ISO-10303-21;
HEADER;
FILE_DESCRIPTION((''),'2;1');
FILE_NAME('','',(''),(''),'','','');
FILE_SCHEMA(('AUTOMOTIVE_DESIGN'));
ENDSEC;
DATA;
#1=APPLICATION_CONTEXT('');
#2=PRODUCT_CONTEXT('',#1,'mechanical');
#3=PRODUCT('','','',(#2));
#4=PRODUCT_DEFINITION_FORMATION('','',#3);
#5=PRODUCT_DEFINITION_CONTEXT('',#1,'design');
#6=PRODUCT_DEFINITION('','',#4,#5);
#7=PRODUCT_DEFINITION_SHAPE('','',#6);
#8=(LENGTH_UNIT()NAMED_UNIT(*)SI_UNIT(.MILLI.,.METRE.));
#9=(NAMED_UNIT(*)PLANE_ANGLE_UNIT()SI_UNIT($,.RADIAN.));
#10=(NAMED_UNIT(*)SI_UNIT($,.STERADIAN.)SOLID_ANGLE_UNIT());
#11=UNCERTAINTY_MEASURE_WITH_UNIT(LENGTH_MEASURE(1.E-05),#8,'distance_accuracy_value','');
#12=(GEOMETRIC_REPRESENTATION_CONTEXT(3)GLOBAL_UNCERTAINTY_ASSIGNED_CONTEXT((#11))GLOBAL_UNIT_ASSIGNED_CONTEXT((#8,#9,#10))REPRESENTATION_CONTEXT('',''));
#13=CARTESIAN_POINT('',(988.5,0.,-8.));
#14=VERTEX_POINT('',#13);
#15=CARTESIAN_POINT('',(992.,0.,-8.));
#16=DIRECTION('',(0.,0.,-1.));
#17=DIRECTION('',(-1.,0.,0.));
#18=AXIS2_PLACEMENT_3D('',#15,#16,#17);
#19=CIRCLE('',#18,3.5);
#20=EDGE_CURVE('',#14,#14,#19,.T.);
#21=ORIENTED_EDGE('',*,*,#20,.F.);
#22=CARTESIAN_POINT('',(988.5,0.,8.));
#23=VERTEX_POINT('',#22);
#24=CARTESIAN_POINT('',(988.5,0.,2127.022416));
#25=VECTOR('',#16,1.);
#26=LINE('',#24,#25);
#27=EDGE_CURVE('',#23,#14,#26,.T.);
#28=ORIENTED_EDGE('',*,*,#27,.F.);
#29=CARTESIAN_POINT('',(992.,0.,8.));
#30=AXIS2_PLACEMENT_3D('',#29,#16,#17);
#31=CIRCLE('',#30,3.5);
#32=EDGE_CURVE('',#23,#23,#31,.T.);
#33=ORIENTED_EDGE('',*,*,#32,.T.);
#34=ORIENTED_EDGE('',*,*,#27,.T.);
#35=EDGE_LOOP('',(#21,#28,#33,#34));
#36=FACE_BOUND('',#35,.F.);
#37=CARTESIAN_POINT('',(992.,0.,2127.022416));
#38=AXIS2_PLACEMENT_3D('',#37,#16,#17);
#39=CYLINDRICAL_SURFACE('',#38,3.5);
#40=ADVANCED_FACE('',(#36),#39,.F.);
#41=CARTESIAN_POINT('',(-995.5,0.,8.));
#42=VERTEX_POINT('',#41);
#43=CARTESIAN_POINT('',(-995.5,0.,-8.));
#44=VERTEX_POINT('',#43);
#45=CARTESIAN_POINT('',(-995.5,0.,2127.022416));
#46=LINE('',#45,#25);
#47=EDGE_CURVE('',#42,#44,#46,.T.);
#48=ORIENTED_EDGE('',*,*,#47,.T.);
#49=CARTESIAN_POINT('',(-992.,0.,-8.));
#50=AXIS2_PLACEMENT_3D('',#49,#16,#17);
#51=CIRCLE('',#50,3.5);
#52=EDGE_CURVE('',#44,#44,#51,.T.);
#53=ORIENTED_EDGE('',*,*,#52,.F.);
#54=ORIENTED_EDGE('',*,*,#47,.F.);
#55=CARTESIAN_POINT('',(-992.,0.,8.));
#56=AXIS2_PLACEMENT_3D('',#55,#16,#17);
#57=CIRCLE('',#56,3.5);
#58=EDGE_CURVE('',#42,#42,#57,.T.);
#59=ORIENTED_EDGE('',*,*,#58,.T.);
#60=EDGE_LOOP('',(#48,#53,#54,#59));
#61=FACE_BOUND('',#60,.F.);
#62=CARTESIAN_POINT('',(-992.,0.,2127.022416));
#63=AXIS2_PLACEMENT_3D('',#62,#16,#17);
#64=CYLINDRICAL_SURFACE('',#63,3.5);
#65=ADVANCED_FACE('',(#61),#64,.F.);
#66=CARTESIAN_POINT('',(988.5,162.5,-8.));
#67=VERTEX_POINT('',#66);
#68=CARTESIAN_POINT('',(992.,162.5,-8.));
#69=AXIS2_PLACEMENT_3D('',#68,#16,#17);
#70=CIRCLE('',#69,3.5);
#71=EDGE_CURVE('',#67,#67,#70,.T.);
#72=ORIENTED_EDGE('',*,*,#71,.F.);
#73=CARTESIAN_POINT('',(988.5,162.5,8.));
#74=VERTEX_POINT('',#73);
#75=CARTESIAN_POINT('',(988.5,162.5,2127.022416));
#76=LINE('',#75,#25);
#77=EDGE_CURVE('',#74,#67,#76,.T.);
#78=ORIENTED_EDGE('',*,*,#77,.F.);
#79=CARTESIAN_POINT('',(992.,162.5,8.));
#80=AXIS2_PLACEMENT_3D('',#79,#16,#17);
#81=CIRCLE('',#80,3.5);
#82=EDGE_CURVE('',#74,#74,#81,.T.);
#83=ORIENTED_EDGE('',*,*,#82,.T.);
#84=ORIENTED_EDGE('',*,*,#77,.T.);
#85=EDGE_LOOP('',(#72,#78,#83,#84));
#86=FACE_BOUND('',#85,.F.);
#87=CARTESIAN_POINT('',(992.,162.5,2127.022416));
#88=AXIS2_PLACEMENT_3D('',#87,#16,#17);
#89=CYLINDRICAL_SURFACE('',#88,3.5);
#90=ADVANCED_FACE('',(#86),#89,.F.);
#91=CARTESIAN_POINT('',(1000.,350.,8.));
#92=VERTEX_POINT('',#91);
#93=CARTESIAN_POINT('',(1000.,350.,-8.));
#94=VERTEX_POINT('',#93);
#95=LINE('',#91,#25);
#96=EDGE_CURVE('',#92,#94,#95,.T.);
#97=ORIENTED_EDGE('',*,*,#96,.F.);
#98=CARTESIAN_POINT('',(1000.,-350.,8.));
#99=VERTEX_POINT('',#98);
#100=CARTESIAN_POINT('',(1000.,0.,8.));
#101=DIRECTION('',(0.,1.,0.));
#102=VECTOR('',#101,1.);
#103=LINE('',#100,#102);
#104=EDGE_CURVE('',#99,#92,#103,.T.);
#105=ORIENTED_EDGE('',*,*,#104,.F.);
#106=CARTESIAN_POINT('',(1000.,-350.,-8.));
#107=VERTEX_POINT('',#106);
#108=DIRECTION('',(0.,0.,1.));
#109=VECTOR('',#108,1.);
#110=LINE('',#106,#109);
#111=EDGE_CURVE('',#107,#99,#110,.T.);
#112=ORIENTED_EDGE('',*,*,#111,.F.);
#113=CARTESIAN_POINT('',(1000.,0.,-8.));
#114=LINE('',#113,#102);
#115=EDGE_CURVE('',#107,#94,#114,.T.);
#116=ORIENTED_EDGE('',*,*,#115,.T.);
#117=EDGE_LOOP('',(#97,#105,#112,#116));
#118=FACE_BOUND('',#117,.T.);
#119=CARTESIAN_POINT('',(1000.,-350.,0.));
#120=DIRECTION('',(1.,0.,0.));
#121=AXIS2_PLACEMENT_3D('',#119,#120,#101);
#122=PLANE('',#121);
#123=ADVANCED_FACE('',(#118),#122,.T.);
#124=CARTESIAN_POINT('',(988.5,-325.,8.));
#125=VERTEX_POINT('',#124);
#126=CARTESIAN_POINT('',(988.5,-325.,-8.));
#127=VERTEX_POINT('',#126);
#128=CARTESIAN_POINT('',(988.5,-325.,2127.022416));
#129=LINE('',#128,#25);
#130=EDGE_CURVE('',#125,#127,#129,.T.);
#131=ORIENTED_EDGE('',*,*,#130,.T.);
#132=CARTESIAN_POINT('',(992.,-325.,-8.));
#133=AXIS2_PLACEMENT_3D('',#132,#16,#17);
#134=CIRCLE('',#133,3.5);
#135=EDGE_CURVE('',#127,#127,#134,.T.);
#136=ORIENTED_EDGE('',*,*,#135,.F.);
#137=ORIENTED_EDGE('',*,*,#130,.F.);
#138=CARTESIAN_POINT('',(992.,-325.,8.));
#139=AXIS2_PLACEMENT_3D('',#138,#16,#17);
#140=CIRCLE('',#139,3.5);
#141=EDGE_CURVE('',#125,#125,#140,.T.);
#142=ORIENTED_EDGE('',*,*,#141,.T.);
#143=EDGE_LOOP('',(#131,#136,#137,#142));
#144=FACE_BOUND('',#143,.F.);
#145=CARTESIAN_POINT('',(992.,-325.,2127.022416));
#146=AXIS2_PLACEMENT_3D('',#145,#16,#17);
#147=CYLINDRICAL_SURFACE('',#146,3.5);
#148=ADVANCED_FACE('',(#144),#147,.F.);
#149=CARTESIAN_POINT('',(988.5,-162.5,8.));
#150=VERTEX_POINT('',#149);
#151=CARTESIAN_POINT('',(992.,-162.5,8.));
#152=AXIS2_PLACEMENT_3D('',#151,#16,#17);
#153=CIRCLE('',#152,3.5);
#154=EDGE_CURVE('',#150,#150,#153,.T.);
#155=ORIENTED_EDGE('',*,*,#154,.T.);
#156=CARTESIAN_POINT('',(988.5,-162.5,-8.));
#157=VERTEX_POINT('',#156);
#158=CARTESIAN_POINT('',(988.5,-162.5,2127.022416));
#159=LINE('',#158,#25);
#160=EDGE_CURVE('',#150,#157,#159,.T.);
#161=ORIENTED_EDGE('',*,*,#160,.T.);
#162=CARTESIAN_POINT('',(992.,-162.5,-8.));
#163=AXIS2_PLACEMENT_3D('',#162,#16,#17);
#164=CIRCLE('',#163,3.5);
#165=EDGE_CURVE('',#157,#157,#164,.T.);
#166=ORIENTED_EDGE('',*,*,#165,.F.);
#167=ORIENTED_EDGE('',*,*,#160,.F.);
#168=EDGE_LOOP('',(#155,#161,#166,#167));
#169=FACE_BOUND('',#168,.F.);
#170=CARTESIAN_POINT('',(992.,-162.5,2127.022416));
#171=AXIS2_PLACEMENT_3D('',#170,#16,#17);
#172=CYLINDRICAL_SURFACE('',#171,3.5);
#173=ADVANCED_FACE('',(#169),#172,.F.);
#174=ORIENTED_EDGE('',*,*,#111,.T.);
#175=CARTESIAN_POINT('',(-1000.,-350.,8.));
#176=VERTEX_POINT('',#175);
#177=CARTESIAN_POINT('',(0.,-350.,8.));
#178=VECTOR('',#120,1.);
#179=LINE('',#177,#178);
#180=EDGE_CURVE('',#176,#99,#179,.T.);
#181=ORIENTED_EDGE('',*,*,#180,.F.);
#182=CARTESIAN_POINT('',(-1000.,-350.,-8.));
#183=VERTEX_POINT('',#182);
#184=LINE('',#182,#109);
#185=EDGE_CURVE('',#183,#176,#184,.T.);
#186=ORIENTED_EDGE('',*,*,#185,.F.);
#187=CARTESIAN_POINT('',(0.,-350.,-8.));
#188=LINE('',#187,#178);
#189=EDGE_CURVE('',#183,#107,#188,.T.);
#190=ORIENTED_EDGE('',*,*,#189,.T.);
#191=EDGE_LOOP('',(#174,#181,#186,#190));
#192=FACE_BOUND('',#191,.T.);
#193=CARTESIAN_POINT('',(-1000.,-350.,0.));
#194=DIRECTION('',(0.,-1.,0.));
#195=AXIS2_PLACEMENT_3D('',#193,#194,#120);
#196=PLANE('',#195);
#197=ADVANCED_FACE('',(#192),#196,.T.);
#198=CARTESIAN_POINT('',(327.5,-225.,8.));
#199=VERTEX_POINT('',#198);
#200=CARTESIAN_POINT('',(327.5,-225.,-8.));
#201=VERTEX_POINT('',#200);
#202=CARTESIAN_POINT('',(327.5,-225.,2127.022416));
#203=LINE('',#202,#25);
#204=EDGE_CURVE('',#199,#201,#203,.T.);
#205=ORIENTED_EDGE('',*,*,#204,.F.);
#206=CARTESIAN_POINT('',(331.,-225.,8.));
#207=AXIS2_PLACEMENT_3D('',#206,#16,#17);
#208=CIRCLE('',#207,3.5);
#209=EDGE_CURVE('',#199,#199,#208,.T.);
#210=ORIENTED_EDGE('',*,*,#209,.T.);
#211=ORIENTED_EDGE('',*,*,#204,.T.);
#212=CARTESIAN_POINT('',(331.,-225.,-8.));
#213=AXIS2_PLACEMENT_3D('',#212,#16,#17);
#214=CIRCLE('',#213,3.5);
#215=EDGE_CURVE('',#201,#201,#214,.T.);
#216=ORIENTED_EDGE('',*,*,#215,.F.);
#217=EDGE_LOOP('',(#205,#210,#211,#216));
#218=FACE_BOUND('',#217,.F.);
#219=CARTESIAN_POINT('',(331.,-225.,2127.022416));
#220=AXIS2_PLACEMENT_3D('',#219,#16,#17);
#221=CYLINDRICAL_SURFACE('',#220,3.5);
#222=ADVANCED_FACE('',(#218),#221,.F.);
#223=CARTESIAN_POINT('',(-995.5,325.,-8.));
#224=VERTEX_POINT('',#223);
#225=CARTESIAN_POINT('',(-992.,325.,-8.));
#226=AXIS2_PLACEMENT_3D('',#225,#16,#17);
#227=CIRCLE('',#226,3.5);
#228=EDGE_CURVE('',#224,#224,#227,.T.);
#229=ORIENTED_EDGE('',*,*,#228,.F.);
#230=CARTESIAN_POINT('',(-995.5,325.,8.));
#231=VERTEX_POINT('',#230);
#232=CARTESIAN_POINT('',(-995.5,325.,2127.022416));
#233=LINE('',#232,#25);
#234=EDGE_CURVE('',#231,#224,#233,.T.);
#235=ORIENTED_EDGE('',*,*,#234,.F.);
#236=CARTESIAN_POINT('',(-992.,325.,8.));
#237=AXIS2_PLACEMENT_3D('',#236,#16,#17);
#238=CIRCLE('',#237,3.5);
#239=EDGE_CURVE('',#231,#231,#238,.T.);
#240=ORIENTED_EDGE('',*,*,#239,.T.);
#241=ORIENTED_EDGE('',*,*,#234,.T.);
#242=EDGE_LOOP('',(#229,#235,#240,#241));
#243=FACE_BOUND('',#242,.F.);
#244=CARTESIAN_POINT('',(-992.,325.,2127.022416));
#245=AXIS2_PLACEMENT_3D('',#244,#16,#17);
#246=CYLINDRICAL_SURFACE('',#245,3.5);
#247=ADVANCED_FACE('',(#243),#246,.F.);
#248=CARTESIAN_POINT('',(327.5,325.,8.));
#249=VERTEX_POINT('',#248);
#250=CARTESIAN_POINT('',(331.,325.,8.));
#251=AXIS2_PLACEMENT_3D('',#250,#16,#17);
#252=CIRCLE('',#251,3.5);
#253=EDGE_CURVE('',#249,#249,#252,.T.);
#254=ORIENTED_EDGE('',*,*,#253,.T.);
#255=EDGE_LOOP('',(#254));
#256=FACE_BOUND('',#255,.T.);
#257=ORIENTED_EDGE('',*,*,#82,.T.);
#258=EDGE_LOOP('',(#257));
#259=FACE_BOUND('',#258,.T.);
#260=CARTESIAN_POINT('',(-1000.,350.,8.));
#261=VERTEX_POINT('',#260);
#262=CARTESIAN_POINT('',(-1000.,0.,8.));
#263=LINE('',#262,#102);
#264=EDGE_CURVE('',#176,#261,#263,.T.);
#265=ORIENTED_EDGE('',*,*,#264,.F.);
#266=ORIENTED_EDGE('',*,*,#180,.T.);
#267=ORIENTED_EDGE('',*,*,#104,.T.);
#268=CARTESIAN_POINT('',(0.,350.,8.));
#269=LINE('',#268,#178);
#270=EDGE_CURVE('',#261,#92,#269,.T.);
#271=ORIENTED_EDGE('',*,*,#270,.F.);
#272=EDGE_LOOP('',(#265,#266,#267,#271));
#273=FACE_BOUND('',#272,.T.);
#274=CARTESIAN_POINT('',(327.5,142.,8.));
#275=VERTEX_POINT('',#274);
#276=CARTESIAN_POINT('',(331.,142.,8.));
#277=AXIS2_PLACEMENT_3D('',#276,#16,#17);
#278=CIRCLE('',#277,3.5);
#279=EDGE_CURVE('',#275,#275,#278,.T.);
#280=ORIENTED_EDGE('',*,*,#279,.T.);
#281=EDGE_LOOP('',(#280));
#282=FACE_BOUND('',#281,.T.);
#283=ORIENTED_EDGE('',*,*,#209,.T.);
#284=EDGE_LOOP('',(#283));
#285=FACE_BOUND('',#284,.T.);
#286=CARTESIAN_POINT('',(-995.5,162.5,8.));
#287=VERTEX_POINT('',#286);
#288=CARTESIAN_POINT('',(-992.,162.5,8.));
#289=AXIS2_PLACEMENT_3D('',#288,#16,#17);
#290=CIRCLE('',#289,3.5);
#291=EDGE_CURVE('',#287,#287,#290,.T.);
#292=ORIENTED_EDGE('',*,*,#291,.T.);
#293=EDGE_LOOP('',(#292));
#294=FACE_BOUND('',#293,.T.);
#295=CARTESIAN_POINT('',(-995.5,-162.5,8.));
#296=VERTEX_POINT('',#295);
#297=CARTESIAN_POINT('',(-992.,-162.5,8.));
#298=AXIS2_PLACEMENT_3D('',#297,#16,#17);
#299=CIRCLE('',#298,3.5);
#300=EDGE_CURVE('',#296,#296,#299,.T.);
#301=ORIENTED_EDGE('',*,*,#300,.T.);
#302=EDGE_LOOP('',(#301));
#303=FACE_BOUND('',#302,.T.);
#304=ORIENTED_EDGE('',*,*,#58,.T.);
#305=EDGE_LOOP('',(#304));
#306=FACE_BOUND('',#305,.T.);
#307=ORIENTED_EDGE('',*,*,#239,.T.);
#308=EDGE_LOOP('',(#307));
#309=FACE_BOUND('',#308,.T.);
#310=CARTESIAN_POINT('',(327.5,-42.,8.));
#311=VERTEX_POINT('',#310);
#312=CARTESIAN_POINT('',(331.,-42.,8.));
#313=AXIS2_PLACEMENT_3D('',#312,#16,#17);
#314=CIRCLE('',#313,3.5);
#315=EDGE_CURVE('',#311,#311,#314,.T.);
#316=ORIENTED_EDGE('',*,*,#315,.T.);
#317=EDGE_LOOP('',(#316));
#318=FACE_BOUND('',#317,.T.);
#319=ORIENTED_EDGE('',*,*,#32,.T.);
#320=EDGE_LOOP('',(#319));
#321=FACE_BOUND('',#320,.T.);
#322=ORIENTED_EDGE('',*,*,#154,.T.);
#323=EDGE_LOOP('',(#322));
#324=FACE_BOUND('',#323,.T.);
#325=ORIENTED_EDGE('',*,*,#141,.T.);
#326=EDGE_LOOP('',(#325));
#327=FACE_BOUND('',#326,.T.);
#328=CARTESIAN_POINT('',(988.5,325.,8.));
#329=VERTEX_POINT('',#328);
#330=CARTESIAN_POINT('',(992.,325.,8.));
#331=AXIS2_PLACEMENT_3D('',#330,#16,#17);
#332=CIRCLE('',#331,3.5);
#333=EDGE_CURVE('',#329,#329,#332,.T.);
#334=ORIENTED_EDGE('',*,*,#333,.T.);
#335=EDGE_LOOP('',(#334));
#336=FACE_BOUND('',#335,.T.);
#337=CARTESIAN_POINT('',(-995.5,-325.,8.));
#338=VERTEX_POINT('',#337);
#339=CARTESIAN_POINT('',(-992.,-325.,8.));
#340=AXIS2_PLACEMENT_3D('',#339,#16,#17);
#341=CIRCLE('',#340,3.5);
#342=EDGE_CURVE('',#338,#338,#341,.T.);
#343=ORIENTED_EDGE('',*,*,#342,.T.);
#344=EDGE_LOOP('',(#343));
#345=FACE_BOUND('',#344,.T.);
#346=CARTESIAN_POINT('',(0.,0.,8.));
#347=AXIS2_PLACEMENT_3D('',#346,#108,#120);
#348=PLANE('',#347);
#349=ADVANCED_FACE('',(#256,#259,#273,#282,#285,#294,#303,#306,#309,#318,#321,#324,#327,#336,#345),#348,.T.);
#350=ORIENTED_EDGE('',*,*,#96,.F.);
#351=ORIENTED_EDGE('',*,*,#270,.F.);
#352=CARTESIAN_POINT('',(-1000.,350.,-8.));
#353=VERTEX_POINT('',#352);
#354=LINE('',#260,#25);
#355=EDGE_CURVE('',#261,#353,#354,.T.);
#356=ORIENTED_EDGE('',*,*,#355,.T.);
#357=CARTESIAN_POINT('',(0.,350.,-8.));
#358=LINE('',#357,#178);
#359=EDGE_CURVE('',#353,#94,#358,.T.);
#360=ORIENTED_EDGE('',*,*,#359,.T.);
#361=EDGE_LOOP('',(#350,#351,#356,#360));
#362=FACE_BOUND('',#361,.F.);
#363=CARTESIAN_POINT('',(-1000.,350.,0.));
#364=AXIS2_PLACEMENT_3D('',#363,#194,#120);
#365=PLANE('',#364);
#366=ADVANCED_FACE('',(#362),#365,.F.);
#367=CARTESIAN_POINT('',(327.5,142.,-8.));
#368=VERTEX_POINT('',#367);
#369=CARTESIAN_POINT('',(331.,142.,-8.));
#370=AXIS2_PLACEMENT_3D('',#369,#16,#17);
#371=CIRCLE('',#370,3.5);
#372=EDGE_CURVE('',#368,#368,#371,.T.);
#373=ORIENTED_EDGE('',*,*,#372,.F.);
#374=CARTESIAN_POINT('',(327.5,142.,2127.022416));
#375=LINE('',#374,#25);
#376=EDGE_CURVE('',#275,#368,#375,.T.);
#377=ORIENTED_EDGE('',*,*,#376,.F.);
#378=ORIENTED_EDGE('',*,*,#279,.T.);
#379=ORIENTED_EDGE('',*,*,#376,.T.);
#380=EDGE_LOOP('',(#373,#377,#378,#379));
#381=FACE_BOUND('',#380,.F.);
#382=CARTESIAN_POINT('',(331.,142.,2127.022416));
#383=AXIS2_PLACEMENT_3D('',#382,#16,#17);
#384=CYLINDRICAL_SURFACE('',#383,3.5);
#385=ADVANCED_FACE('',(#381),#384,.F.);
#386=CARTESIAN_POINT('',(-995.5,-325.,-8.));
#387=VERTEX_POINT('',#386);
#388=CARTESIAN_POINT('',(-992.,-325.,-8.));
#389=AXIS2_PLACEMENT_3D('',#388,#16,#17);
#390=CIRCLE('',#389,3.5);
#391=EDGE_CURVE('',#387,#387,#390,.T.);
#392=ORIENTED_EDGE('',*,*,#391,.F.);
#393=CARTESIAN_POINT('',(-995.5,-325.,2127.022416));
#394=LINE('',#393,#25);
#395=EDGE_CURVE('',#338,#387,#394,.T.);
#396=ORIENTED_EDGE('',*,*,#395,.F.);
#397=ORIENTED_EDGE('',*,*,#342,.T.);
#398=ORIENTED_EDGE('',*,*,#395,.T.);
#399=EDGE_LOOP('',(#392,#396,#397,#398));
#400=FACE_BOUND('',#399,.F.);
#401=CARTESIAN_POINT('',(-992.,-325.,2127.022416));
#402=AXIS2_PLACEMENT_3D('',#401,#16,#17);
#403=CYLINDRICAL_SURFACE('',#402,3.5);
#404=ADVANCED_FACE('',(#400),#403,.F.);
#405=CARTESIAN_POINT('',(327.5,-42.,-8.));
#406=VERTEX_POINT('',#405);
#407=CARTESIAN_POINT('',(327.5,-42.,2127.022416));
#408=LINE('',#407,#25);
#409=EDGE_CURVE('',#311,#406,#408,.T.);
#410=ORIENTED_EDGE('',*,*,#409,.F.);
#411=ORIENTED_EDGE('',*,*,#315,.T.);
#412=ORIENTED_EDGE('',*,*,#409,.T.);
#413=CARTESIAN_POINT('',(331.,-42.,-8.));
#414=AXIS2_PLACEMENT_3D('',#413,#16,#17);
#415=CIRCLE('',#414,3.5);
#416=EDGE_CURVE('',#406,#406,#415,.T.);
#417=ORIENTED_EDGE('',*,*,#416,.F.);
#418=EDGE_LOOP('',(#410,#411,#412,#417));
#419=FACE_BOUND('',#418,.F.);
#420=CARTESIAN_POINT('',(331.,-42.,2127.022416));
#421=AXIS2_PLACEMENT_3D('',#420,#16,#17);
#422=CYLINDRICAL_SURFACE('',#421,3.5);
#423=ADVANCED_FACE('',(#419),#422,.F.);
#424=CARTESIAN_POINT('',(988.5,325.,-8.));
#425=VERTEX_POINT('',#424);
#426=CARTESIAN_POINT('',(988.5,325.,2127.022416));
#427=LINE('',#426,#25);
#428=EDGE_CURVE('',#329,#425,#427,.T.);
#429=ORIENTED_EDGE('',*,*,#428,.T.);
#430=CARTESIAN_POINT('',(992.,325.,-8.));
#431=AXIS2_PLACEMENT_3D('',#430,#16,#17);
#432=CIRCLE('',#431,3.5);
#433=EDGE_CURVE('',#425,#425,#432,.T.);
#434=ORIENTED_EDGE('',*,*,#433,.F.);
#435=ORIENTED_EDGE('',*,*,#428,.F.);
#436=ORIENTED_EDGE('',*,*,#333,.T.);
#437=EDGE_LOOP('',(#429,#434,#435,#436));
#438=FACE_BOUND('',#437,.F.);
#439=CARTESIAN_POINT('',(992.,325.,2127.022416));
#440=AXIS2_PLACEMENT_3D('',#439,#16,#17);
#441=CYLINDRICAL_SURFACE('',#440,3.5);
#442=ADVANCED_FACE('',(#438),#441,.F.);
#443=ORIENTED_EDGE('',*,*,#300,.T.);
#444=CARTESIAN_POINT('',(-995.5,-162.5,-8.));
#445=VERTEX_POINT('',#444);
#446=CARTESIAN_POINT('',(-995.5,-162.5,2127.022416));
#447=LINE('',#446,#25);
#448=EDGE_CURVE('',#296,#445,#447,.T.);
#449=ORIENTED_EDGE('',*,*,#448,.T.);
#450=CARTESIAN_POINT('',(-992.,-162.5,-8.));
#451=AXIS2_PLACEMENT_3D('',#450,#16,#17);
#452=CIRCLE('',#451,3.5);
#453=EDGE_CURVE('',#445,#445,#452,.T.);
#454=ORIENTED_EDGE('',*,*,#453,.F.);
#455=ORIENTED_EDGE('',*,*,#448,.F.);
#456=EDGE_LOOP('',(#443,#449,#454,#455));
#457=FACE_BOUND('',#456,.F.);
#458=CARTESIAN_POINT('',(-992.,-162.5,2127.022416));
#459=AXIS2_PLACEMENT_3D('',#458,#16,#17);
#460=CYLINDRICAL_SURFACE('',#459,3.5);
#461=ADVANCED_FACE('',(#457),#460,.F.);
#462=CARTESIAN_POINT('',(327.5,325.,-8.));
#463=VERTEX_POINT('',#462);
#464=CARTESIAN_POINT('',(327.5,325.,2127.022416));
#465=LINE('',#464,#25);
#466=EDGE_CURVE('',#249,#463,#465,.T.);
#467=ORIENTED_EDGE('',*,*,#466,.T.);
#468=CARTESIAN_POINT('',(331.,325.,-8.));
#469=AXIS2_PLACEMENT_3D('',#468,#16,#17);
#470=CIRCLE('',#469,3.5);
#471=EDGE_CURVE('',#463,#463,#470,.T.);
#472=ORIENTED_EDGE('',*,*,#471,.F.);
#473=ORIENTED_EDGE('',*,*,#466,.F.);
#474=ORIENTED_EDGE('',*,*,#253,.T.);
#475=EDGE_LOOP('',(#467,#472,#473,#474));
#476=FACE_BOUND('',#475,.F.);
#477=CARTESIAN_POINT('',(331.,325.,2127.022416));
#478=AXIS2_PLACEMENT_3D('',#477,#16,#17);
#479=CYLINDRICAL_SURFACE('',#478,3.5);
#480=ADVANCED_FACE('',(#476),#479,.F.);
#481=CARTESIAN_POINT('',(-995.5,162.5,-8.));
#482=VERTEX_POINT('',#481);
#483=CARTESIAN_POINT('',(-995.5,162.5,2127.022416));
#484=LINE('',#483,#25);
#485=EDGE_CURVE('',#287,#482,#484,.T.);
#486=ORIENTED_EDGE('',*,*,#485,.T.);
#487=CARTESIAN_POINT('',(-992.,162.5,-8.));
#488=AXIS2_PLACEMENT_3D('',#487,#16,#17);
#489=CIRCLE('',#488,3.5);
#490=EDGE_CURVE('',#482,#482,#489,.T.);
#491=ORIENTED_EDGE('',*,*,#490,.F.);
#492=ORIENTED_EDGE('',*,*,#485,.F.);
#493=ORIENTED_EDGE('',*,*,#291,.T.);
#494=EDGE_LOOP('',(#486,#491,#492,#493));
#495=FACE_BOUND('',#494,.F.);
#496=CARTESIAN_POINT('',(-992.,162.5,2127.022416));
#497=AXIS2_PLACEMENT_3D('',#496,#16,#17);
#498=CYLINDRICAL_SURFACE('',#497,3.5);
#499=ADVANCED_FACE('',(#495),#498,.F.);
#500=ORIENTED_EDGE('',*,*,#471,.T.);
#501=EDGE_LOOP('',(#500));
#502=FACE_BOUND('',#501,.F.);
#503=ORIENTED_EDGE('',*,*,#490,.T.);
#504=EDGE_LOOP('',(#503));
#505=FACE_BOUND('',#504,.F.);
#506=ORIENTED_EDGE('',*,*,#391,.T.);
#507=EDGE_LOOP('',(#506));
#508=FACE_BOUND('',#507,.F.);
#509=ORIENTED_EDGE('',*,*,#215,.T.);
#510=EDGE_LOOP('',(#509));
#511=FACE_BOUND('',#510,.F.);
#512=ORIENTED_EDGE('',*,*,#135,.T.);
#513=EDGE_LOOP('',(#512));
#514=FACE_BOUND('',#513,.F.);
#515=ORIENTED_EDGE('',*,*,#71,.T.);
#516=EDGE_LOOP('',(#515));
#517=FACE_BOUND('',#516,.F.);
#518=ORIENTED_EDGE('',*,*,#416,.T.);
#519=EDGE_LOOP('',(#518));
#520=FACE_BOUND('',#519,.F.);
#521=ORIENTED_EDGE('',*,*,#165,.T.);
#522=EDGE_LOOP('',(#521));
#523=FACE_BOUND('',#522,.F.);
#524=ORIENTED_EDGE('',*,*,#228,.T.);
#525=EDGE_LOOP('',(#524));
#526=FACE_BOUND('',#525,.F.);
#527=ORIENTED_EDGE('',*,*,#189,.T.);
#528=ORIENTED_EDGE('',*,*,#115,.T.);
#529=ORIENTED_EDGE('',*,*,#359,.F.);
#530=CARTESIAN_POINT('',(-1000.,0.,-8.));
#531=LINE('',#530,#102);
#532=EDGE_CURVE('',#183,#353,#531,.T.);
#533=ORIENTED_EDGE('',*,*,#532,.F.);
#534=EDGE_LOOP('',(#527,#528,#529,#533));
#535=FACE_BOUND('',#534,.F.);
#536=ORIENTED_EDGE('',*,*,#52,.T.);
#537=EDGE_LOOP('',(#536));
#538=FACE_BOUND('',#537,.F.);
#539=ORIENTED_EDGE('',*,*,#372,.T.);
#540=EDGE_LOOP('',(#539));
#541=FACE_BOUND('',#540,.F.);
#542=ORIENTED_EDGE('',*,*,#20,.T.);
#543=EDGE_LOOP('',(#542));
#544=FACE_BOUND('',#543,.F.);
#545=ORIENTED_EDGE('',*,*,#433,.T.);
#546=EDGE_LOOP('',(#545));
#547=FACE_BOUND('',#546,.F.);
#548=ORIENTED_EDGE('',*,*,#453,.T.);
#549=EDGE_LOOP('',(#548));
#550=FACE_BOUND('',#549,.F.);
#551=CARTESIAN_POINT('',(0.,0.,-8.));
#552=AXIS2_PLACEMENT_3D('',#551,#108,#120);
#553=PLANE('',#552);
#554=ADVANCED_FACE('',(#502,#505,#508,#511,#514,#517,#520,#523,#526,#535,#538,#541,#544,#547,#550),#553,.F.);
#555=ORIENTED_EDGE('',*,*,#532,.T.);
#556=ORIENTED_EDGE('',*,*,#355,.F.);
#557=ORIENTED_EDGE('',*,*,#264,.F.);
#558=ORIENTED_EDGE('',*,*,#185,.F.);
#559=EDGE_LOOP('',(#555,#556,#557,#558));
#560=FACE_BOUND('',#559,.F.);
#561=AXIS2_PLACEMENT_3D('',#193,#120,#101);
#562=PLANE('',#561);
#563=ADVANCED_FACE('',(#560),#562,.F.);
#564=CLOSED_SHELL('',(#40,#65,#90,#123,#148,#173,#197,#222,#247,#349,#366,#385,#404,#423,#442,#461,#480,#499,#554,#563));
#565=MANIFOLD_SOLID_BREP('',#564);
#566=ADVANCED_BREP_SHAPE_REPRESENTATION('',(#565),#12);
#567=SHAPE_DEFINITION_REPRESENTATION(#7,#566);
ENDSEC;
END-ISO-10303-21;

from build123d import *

# Parameters (mm, degrees)
F0_W     = 2000
F0_H     = 700
F1_DEPTH = 8
F3_D     = 7


with BuildPart() as f1:
    # F0 (on Top) → F1 (new body, symmetric)
    with BuildSketch(Plane.XY):
        Rectangle(F0_W, F0_H)
    extrude(amount=F1_DEPTH, both=True)

    # F3 (through all)
    with Locations(Plane.XY.offset(8)):
        with Locations((-992, 325), (-992, 162.5), (-992, 0), (-992, -162.5), (-992, -325), (992, 325), (992, 162.5), (992, 0), (992, -162.5), (992, -325), (331, -225), (331, -42), (331, 142), (331, 325)):
            Hole(F3_D / 2)


solid = f1.part
